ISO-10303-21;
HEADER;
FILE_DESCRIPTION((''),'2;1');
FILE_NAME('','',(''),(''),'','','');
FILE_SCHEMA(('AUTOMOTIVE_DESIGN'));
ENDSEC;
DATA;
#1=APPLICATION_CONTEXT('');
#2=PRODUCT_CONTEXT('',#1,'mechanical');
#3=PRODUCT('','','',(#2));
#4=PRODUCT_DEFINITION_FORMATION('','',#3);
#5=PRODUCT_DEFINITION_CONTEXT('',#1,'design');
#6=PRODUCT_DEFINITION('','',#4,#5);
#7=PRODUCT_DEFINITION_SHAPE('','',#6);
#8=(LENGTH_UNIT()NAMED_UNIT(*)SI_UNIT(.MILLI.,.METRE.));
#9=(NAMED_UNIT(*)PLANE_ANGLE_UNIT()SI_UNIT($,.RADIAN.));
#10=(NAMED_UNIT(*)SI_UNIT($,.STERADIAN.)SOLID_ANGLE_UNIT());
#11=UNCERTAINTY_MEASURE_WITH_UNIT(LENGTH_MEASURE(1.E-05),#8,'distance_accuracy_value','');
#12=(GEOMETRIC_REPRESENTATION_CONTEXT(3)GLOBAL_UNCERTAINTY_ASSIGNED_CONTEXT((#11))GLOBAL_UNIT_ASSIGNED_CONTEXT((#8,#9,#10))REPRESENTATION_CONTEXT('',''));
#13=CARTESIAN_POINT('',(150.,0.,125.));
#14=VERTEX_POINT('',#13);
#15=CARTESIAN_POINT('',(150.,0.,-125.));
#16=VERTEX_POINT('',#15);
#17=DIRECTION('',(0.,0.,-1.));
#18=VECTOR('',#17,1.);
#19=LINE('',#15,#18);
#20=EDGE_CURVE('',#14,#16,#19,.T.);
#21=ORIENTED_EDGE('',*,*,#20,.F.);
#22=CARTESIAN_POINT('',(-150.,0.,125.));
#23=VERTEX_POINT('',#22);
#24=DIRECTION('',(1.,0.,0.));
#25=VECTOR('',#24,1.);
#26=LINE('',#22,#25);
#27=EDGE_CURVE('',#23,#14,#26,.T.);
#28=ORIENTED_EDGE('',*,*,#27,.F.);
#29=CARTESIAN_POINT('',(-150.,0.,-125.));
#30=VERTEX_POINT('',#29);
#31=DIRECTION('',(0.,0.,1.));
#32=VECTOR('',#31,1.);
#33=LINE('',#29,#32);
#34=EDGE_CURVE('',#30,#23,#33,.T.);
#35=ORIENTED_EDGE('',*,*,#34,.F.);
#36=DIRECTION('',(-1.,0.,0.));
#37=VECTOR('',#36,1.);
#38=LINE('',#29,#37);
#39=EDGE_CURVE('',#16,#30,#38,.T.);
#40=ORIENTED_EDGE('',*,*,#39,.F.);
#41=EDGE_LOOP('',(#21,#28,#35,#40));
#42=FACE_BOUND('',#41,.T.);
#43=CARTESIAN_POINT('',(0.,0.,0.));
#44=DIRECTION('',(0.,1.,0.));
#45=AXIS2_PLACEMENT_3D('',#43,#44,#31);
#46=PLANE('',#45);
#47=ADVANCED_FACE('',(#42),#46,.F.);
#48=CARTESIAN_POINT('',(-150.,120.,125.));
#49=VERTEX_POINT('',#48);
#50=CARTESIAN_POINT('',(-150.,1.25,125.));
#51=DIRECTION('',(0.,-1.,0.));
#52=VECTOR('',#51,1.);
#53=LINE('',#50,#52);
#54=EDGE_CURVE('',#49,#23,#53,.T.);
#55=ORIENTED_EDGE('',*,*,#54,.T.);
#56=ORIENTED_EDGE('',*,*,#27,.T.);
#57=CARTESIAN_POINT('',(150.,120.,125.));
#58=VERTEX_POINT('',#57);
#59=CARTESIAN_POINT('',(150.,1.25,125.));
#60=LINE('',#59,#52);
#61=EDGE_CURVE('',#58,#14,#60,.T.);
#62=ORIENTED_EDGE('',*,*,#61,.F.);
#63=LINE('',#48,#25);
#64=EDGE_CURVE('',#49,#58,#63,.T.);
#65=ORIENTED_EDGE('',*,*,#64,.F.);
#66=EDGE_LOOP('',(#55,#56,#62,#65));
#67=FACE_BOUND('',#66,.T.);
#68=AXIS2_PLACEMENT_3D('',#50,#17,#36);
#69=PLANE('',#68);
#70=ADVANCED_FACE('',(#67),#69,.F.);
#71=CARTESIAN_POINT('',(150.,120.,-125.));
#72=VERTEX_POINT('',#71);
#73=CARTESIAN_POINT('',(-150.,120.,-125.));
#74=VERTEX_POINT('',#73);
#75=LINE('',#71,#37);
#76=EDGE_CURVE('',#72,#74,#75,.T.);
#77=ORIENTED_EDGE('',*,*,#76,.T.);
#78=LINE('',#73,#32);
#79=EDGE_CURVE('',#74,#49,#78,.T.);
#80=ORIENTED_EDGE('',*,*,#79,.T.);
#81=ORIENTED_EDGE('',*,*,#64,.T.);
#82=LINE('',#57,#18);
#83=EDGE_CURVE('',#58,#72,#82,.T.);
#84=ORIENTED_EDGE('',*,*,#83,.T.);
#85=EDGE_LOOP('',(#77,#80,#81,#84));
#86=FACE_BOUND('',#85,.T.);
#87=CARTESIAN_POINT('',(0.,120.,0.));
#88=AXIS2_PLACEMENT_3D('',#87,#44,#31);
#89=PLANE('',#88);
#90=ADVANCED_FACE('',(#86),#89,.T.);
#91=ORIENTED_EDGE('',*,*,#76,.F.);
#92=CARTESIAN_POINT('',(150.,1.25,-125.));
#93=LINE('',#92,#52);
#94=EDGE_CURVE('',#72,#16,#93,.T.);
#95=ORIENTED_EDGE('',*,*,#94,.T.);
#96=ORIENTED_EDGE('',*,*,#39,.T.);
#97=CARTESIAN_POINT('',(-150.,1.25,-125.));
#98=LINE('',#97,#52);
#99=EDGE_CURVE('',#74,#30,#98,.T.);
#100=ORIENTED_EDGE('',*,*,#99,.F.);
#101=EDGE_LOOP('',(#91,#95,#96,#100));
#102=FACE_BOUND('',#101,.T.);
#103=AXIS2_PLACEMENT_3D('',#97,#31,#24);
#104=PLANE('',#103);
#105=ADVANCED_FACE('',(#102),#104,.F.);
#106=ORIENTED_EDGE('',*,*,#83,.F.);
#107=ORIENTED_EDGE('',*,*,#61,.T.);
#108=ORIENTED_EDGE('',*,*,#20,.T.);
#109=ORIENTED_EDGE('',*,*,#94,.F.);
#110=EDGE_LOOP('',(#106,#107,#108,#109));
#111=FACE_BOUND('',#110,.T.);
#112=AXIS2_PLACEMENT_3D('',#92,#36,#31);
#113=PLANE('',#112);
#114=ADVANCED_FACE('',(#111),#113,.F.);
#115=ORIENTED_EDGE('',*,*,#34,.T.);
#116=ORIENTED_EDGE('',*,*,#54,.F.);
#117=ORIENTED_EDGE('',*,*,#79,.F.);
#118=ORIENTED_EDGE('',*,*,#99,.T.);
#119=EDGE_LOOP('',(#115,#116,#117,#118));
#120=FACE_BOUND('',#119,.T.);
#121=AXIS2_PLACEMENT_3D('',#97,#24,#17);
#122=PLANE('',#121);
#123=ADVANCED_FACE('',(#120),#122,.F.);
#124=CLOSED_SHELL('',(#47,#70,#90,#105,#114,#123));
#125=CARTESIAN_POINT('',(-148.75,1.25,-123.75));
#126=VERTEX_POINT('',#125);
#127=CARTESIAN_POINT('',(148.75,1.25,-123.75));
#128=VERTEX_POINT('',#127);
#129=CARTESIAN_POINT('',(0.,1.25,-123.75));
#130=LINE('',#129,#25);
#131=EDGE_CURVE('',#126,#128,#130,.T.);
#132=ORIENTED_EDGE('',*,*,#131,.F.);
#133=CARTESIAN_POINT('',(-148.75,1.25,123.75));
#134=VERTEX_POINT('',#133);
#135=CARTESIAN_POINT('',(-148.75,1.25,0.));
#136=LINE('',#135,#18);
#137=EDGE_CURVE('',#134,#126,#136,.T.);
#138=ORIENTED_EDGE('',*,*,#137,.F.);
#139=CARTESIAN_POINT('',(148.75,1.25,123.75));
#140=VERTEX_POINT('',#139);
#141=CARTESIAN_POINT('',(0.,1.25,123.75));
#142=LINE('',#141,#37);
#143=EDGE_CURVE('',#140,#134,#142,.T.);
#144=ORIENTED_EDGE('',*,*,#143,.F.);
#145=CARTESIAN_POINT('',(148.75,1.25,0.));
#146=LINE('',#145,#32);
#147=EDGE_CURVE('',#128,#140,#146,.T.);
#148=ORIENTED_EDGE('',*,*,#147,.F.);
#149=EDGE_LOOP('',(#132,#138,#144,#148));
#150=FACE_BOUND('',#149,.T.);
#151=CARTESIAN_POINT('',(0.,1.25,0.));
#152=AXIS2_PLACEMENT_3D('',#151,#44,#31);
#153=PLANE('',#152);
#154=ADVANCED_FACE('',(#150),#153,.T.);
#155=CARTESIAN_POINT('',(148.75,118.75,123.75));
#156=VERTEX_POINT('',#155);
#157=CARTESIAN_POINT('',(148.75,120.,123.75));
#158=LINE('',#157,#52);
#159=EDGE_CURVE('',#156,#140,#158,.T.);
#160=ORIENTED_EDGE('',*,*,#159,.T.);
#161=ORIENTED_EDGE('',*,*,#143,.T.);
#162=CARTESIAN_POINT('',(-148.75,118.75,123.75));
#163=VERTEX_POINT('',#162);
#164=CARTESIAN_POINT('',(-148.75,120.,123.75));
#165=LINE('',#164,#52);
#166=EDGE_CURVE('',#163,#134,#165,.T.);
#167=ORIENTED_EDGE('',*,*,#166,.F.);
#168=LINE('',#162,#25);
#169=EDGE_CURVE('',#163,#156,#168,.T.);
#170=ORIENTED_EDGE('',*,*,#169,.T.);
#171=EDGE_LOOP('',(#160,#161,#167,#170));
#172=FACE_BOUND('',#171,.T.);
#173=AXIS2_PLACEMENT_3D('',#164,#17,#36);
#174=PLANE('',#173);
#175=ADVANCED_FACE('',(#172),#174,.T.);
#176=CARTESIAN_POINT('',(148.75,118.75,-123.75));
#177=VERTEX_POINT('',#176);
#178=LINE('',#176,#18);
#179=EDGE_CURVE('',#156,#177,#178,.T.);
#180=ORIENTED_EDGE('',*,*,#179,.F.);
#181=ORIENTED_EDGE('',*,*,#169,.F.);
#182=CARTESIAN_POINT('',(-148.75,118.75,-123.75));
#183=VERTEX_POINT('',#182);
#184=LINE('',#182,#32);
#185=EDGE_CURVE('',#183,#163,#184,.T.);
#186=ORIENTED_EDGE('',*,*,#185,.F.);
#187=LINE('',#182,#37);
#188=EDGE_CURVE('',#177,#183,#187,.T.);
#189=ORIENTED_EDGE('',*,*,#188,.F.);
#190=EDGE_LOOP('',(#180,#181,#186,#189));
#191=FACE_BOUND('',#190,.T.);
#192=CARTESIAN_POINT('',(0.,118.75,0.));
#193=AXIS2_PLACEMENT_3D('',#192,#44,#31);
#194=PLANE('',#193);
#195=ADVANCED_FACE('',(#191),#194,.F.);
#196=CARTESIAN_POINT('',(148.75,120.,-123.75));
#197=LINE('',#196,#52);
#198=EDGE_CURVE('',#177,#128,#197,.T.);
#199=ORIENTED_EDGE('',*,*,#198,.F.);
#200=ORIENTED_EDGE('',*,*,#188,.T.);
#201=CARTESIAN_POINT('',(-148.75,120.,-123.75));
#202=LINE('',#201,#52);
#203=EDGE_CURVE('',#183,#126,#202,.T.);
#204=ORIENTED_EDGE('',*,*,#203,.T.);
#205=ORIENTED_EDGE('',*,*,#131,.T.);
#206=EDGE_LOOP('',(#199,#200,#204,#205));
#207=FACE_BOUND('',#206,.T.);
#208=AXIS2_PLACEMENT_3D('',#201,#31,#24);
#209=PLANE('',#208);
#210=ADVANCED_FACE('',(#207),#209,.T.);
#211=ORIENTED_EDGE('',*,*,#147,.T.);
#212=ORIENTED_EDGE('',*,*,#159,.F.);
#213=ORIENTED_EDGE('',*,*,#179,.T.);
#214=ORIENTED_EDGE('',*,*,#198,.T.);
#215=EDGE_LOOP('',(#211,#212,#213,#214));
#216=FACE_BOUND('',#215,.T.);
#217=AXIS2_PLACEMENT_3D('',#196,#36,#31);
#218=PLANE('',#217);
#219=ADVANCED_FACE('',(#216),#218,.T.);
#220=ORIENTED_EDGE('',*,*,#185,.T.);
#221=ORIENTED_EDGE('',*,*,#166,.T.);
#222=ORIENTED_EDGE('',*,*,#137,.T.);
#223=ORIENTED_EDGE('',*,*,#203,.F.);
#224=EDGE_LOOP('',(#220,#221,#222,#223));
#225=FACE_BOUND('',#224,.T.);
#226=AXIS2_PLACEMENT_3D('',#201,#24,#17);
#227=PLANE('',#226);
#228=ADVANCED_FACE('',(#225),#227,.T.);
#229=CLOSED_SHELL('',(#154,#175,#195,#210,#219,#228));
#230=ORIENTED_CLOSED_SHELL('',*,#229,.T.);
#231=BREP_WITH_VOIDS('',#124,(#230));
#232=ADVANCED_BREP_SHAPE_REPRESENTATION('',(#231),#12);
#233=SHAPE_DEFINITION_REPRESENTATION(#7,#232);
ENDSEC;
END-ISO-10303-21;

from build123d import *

# Parameters (mm, degrees)
SKETCH1_W           = 300
SKETCH1_H           = 250
BOSS_EXTRUDE1_DEPTH = 1.25
SKETCH5_W           = 300
SKETCH5_H           = 250
SKETCH5_W_2         = 297.5
SKETCH5_H_2         = 247.5
BOSS_EXTRUDE2_DEPTH = 120
SKETCH6_W           = 300
SKETCH6_H           = 250
BOSS_EXTRUDE3_DEPTH = 1.25


with BuildPart() as part:
    # Sketch1 → Boss-Extrude1 (new body)
    with BuildSketch(Plane(origin=(0, 0, 0), x_dir=(1, 0, 0), z_dir=(0, 1, 0))):
        Rectangle(SKETCH1_W, SKETCH1_H)
    extrude(amount=BOSS_EXTRUDE1_DEPTH)

    # Sketch5 → Boss-Extrude2 (add)
    with BuildSketch(Plane(origin=(0, 0, 0), x_dir=(1, 0, 0), z_dir=(0, 1, 0))):
        Rectangle(SKETCH5_W, SKETCH5_H)
        Rectangle(SKETCH5_W_2, SKETCH5_H_2, mode=Mode.SUBTRACT)
    extrude(amount=BOSS_EXTRUDE2_DEPTH)

    # Sketch6 → Boss-Extrude3 (add)
    with BuildSketch(Plane(origin=(0, 120, 0), x_dir=(1, 0, 0), z_dir=(0, 1, 0))):
        Rectangle(SKETCH6_W, SKETCH6_H)
    extrude(amount=-BOSS_EXTRUDE3_DEPTH)


solid = part.part
